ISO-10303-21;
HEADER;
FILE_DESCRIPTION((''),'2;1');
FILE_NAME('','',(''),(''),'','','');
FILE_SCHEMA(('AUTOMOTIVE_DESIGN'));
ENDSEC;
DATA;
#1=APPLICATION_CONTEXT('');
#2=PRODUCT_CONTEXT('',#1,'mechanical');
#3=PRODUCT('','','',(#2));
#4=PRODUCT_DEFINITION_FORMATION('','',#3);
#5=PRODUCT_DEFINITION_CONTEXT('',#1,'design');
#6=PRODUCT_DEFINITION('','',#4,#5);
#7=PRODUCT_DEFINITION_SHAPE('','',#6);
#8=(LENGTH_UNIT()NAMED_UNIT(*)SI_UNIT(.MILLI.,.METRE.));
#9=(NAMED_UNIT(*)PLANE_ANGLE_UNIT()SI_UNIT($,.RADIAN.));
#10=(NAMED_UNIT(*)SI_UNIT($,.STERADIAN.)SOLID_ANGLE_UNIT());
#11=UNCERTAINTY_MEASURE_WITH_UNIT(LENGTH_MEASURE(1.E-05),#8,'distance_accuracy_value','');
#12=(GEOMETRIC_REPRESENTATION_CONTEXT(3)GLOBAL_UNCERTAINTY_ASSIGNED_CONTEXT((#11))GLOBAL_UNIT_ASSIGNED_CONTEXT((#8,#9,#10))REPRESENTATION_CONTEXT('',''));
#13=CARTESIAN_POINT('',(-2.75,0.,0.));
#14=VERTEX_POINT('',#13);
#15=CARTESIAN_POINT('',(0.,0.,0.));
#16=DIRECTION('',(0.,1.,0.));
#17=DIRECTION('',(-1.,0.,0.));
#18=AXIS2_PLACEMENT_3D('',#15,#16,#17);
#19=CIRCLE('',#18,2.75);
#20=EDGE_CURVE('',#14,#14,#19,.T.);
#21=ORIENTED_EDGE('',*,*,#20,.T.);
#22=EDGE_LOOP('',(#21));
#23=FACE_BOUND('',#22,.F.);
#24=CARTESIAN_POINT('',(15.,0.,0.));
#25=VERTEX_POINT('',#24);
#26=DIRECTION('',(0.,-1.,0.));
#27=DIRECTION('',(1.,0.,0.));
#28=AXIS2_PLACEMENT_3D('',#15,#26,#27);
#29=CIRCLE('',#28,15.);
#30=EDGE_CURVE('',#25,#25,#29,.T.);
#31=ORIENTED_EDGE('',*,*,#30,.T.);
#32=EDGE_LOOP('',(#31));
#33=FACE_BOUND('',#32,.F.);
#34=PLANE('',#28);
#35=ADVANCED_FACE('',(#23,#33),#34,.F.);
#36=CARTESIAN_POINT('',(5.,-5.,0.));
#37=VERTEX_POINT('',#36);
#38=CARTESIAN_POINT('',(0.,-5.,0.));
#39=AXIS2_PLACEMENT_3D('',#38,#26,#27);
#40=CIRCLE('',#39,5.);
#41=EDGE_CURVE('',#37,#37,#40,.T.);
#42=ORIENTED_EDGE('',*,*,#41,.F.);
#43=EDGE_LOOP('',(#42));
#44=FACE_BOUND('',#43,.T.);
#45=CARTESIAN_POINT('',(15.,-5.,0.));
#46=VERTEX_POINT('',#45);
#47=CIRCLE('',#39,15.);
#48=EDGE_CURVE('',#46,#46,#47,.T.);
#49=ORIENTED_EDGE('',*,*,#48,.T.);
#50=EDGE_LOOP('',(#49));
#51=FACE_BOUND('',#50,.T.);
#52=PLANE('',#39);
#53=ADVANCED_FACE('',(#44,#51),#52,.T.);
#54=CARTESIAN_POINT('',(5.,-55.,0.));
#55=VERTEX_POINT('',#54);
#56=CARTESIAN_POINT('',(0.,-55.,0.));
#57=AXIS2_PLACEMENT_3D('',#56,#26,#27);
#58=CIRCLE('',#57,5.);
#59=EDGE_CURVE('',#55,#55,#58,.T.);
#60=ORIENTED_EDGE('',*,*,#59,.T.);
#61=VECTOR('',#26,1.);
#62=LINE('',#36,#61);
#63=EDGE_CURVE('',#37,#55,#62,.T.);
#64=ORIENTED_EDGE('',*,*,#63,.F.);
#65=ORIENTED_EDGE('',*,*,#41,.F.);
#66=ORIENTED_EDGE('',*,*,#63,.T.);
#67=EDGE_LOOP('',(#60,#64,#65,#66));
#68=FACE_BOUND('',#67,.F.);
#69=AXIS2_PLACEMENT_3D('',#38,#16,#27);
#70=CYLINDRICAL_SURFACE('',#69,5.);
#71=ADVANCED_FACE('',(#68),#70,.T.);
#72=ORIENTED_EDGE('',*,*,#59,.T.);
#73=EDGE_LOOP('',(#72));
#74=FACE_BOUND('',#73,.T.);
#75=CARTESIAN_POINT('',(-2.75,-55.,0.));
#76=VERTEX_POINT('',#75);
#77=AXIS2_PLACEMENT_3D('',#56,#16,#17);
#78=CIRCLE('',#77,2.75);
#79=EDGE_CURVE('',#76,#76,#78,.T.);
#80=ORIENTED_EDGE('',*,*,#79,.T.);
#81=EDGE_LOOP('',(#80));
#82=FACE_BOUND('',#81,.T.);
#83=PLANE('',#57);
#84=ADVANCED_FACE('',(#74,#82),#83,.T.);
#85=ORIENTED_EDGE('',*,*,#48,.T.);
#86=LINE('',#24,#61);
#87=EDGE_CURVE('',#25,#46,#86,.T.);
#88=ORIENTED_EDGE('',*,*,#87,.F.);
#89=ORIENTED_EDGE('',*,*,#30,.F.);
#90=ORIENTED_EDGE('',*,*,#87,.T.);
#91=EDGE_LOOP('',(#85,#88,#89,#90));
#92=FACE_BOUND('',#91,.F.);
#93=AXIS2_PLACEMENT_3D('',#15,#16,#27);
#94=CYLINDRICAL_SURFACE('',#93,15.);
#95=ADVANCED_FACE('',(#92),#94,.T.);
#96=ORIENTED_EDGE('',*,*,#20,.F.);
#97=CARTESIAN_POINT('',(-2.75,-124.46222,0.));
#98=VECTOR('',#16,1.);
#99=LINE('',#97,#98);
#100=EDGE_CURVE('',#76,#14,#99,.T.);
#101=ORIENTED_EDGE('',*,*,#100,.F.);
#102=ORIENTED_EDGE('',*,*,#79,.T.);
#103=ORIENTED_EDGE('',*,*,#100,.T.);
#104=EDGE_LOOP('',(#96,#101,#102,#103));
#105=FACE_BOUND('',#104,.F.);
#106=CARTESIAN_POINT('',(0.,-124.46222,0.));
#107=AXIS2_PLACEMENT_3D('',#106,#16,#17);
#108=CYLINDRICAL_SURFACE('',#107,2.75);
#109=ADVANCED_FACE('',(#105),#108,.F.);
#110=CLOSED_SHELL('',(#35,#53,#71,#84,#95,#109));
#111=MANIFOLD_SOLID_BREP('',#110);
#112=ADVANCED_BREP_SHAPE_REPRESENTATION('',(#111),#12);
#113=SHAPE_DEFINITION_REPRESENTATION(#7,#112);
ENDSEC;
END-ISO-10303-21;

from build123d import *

# Parameters (mm, degrees)
F0_R     = 15
F1_DEPTH = 5
F2_R     = 5
F3_DEPTH = 50
F5_D     = 5.5


with BuildPart() as f1:
    # F0 (on Front) → F1 (new body)
    with BuildSketch(Plane.XZ):
        Circle(F0_R)
    extrude(amount=F1_DEPTH)

    # F2 (on face) → F3 (join)
    with BuildSketch(Plane.XZ.offset(5)):
        Circle(F2_R)
    extrude(amount=F3_DEPTH)

    # F5 (through all)
    with Locations(Plane.XZ.offset(55)):
        with Locations((0, 0)):
            Hole(F5_D / 2)


solid = f1.part
